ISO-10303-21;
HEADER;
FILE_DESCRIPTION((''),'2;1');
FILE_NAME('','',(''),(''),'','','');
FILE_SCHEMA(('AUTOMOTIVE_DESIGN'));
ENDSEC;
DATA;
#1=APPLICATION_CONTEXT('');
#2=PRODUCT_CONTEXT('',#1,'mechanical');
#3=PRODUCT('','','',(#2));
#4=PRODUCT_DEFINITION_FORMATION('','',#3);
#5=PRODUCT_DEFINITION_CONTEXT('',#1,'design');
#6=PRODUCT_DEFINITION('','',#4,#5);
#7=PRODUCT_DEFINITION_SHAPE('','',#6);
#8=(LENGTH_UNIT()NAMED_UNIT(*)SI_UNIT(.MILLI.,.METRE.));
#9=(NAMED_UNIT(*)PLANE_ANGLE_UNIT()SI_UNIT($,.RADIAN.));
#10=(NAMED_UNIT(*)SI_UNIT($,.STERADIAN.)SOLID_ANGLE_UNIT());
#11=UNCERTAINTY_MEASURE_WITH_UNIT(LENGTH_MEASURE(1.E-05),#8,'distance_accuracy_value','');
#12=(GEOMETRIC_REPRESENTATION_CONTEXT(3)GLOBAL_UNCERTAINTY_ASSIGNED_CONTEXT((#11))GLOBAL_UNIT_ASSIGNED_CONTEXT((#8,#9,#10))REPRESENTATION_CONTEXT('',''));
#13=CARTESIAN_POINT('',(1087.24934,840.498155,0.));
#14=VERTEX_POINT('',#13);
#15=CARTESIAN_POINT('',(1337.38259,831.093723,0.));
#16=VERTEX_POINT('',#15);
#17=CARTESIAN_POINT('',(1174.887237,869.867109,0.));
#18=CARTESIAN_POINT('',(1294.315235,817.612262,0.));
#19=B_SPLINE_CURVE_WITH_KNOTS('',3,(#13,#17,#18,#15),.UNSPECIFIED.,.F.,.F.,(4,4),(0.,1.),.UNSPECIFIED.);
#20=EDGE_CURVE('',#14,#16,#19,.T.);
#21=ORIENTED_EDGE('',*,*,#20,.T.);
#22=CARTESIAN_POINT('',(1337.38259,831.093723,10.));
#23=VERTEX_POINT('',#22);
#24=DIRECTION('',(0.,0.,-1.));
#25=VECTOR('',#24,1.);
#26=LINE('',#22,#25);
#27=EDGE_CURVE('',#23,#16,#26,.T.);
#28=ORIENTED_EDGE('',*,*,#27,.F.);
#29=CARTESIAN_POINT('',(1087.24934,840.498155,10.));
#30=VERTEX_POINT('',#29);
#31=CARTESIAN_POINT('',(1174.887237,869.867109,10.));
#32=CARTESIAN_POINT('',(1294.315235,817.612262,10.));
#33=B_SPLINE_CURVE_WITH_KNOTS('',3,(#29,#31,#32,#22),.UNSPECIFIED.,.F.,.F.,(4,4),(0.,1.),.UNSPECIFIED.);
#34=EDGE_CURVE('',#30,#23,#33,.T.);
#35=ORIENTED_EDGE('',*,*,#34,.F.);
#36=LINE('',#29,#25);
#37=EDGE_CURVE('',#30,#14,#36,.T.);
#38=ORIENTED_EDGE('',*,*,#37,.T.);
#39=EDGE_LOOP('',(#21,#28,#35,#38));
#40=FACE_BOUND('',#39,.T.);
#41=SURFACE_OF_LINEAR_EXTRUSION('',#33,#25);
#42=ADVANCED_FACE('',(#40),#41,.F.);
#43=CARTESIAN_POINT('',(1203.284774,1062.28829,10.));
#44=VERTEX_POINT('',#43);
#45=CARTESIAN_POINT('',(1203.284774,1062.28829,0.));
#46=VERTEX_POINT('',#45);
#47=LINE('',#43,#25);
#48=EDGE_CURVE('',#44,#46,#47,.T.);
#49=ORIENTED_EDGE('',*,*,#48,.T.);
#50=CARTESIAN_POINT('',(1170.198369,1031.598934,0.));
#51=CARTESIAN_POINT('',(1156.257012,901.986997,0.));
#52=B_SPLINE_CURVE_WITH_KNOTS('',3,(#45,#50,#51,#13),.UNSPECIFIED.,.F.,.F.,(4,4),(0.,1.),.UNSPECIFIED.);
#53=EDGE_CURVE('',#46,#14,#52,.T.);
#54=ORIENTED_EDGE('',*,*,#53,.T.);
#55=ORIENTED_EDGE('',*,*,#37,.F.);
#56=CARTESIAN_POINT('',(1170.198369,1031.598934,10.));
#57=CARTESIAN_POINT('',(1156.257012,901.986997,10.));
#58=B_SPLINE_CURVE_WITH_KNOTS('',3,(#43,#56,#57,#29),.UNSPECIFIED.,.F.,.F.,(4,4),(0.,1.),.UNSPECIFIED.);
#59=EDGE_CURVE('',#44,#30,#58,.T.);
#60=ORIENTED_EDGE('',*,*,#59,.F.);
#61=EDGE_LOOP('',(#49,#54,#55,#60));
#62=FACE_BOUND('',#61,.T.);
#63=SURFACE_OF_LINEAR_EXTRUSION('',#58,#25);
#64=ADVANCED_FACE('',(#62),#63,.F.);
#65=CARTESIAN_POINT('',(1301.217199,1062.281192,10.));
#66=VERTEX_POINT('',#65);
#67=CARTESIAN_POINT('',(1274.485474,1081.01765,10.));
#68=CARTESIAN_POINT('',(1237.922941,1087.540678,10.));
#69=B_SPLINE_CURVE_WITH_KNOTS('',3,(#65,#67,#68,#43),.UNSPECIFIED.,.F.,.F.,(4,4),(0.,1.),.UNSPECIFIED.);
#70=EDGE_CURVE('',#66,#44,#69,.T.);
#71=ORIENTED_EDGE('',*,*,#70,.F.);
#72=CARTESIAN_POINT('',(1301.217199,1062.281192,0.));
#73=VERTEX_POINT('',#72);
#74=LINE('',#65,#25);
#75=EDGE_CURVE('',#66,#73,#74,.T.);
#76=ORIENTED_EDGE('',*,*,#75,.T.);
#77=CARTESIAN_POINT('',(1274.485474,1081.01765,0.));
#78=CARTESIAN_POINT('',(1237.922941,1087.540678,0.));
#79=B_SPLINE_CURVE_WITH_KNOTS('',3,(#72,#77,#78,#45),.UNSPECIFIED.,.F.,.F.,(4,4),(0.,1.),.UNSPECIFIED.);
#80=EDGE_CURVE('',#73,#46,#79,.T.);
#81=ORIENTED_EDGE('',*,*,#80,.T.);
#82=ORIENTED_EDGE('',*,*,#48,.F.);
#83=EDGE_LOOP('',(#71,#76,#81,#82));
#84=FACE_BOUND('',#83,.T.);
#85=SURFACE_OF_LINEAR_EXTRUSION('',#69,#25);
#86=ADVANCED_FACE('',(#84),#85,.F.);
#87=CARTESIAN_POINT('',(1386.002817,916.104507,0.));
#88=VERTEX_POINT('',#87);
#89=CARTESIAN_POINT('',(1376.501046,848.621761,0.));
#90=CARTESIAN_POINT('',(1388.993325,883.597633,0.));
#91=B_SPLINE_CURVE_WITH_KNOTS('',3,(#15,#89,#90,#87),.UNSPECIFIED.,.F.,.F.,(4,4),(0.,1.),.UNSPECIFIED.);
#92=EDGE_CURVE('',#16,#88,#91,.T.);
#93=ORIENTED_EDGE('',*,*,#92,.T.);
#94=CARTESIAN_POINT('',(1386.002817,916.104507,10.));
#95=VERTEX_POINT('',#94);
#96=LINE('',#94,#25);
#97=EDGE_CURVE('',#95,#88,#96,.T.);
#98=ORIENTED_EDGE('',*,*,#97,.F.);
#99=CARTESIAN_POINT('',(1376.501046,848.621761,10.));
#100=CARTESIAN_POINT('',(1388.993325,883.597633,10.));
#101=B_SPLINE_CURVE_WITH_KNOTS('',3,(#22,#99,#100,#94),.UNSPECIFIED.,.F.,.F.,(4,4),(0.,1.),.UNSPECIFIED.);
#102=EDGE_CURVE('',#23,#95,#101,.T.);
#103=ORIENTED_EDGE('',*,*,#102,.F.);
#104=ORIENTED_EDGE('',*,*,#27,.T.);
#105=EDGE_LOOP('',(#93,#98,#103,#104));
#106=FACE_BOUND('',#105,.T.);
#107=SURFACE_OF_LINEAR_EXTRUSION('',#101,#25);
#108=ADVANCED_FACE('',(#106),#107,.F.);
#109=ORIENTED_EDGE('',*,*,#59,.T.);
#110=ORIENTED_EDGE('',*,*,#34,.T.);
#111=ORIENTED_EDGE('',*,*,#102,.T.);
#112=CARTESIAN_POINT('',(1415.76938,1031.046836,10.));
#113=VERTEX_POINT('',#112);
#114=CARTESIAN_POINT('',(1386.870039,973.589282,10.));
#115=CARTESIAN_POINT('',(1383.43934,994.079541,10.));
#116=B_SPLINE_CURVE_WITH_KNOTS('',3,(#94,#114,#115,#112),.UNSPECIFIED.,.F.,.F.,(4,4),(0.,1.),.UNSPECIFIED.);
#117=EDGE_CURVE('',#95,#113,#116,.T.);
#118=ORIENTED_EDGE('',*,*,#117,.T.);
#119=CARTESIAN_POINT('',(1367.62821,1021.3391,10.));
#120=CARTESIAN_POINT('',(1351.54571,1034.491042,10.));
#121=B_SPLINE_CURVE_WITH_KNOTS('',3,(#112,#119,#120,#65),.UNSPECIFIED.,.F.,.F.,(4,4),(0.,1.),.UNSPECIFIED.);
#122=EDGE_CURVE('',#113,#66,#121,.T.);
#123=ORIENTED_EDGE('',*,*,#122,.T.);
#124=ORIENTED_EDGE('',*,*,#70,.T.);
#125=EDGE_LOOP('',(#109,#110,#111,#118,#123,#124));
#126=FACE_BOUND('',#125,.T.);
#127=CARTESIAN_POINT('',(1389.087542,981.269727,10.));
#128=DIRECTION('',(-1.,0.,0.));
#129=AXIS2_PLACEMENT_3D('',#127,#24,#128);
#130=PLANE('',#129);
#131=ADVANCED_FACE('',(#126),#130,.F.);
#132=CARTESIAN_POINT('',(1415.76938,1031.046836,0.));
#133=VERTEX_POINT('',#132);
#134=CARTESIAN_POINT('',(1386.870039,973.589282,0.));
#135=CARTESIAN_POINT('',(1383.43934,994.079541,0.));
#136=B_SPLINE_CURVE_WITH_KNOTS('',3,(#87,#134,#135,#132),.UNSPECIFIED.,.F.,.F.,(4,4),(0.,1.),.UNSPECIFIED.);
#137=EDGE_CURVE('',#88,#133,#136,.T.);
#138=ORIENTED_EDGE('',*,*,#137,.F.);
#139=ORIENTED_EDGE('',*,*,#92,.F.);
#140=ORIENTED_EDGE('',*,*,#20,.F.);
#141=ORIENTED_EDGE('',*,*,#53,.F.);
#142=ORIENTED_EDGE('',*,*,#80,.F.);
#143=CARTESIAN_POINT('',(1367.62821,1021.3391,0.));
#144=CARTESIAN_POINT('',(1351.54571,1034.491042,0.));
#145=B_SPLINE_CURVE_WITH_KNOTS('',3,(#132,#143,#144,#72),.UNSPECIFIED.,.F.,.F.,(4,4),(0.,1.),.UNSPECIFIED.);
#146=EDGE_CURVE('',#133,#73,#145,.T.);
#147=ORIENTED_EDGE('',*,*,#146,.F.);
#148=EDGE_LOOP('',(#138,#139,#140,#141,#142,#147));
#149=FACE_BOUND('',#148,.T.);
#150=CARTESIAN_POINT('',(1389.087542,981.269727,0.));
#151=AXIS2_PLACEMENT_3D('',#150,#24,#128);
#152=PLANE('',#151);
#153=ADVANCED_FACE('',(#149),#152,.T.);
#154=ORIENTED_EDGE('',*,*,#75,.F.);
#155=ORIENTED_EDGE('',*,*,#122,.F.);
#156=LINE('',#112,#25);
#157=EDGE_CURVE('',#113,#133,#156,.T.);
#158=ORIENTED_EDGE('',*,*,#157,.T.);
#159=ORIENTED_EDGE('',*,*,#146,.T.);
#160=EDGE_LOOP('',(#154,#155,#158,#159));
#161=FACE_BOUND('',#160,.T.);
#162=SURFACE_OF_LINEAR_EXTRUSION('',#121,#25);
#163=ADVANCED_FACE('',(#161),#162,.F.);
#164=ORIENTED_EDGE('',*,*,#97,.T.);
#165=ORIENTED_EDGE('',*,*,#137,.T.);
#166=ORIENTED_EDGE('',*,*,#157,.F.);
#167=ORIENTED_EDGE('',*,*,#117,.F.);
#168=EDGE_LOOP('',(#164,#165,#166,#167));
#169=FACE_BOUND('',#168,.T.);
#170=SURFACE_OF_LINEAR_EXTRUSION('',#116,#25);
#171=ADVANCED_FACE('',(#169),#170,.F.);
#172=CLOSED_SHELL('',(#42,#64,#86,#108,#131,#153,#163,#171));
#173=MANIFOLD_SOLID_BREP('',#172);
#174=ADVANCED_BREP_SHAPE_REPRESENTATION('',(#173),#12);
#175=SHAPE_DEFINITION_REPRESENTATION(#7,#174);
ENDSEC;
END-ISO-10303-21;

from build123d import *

# Parameters (mm, degrees)
BOSS_EXTRUDE1_DEPTH = 10


with BuildPart() as part:
    # Sketch1 → Boss-Extrude1 (new body)
    with BuildSketch(Plane.XY):
        with BuildLine():
            add(Edge.make_bspline(
                [(1415.7693798, 1031.046835581), (1367.628210311, 1021.339100434), (1351.545709895, 1034.491042003), (1301.21719942, 1062.281192228)],
                knots=[0, 0, 0, 0, 1, 1, 1, 1], degree=3))
            add(Edge.make_bspline(
                [(1301.21719942, 1062.281192228), (1274.485473897, 1081.017650054), (1237.922941256, 1087.540678103), (1203.284773936, 1062.288290276)],
                knots=[0, 0, 0, 0, 1, 1, 1, 1], degree=3))
            add(Edge.make_bspline(
                [(1203.284773936, 1062.288290276), (1170.198368602, 1031.598934224), (1156.257012178, 901.986996511), (1087.249339763, 840.498155001)],
                knots=[0, 0, 0, 0, 1, 1, 1, 1], degree=3))
            add(Edge.make_bspline(
                [(1337.382589735, 831.093722667), (1294.315235342, 817.612262121), (1174.887236961, 869.867108969), (1087.249339763, 840.498155001)],
                knots=[0, 0, 0, 0, 1, 1, 1, 1], degree=3))
            add(Edge.make_bspline(
                [(1386.002816787, 916.10450747), (1388.993324609, 883.597633363), (1376.501045784, 848.621760854), (1337.382589735, 831.093722667)],
                knots=[0, 0, 0, 0, 1, 1, 1, 1], degree=3))
            add(Edge.make_bspline(
                [(1415.7693798, 1031.046835581), (1383.439340443, 994.079540892), (1386.870038806, 973.589282342), (1386.002816787, 916.10450747)],
                knots=[0, 0, 0, 0, 1, 1, 1, 1], degree=3))
        make_face()
    extrude(amount=BOSS_EXTRUDE1_DEPTH)


solid = part.part
